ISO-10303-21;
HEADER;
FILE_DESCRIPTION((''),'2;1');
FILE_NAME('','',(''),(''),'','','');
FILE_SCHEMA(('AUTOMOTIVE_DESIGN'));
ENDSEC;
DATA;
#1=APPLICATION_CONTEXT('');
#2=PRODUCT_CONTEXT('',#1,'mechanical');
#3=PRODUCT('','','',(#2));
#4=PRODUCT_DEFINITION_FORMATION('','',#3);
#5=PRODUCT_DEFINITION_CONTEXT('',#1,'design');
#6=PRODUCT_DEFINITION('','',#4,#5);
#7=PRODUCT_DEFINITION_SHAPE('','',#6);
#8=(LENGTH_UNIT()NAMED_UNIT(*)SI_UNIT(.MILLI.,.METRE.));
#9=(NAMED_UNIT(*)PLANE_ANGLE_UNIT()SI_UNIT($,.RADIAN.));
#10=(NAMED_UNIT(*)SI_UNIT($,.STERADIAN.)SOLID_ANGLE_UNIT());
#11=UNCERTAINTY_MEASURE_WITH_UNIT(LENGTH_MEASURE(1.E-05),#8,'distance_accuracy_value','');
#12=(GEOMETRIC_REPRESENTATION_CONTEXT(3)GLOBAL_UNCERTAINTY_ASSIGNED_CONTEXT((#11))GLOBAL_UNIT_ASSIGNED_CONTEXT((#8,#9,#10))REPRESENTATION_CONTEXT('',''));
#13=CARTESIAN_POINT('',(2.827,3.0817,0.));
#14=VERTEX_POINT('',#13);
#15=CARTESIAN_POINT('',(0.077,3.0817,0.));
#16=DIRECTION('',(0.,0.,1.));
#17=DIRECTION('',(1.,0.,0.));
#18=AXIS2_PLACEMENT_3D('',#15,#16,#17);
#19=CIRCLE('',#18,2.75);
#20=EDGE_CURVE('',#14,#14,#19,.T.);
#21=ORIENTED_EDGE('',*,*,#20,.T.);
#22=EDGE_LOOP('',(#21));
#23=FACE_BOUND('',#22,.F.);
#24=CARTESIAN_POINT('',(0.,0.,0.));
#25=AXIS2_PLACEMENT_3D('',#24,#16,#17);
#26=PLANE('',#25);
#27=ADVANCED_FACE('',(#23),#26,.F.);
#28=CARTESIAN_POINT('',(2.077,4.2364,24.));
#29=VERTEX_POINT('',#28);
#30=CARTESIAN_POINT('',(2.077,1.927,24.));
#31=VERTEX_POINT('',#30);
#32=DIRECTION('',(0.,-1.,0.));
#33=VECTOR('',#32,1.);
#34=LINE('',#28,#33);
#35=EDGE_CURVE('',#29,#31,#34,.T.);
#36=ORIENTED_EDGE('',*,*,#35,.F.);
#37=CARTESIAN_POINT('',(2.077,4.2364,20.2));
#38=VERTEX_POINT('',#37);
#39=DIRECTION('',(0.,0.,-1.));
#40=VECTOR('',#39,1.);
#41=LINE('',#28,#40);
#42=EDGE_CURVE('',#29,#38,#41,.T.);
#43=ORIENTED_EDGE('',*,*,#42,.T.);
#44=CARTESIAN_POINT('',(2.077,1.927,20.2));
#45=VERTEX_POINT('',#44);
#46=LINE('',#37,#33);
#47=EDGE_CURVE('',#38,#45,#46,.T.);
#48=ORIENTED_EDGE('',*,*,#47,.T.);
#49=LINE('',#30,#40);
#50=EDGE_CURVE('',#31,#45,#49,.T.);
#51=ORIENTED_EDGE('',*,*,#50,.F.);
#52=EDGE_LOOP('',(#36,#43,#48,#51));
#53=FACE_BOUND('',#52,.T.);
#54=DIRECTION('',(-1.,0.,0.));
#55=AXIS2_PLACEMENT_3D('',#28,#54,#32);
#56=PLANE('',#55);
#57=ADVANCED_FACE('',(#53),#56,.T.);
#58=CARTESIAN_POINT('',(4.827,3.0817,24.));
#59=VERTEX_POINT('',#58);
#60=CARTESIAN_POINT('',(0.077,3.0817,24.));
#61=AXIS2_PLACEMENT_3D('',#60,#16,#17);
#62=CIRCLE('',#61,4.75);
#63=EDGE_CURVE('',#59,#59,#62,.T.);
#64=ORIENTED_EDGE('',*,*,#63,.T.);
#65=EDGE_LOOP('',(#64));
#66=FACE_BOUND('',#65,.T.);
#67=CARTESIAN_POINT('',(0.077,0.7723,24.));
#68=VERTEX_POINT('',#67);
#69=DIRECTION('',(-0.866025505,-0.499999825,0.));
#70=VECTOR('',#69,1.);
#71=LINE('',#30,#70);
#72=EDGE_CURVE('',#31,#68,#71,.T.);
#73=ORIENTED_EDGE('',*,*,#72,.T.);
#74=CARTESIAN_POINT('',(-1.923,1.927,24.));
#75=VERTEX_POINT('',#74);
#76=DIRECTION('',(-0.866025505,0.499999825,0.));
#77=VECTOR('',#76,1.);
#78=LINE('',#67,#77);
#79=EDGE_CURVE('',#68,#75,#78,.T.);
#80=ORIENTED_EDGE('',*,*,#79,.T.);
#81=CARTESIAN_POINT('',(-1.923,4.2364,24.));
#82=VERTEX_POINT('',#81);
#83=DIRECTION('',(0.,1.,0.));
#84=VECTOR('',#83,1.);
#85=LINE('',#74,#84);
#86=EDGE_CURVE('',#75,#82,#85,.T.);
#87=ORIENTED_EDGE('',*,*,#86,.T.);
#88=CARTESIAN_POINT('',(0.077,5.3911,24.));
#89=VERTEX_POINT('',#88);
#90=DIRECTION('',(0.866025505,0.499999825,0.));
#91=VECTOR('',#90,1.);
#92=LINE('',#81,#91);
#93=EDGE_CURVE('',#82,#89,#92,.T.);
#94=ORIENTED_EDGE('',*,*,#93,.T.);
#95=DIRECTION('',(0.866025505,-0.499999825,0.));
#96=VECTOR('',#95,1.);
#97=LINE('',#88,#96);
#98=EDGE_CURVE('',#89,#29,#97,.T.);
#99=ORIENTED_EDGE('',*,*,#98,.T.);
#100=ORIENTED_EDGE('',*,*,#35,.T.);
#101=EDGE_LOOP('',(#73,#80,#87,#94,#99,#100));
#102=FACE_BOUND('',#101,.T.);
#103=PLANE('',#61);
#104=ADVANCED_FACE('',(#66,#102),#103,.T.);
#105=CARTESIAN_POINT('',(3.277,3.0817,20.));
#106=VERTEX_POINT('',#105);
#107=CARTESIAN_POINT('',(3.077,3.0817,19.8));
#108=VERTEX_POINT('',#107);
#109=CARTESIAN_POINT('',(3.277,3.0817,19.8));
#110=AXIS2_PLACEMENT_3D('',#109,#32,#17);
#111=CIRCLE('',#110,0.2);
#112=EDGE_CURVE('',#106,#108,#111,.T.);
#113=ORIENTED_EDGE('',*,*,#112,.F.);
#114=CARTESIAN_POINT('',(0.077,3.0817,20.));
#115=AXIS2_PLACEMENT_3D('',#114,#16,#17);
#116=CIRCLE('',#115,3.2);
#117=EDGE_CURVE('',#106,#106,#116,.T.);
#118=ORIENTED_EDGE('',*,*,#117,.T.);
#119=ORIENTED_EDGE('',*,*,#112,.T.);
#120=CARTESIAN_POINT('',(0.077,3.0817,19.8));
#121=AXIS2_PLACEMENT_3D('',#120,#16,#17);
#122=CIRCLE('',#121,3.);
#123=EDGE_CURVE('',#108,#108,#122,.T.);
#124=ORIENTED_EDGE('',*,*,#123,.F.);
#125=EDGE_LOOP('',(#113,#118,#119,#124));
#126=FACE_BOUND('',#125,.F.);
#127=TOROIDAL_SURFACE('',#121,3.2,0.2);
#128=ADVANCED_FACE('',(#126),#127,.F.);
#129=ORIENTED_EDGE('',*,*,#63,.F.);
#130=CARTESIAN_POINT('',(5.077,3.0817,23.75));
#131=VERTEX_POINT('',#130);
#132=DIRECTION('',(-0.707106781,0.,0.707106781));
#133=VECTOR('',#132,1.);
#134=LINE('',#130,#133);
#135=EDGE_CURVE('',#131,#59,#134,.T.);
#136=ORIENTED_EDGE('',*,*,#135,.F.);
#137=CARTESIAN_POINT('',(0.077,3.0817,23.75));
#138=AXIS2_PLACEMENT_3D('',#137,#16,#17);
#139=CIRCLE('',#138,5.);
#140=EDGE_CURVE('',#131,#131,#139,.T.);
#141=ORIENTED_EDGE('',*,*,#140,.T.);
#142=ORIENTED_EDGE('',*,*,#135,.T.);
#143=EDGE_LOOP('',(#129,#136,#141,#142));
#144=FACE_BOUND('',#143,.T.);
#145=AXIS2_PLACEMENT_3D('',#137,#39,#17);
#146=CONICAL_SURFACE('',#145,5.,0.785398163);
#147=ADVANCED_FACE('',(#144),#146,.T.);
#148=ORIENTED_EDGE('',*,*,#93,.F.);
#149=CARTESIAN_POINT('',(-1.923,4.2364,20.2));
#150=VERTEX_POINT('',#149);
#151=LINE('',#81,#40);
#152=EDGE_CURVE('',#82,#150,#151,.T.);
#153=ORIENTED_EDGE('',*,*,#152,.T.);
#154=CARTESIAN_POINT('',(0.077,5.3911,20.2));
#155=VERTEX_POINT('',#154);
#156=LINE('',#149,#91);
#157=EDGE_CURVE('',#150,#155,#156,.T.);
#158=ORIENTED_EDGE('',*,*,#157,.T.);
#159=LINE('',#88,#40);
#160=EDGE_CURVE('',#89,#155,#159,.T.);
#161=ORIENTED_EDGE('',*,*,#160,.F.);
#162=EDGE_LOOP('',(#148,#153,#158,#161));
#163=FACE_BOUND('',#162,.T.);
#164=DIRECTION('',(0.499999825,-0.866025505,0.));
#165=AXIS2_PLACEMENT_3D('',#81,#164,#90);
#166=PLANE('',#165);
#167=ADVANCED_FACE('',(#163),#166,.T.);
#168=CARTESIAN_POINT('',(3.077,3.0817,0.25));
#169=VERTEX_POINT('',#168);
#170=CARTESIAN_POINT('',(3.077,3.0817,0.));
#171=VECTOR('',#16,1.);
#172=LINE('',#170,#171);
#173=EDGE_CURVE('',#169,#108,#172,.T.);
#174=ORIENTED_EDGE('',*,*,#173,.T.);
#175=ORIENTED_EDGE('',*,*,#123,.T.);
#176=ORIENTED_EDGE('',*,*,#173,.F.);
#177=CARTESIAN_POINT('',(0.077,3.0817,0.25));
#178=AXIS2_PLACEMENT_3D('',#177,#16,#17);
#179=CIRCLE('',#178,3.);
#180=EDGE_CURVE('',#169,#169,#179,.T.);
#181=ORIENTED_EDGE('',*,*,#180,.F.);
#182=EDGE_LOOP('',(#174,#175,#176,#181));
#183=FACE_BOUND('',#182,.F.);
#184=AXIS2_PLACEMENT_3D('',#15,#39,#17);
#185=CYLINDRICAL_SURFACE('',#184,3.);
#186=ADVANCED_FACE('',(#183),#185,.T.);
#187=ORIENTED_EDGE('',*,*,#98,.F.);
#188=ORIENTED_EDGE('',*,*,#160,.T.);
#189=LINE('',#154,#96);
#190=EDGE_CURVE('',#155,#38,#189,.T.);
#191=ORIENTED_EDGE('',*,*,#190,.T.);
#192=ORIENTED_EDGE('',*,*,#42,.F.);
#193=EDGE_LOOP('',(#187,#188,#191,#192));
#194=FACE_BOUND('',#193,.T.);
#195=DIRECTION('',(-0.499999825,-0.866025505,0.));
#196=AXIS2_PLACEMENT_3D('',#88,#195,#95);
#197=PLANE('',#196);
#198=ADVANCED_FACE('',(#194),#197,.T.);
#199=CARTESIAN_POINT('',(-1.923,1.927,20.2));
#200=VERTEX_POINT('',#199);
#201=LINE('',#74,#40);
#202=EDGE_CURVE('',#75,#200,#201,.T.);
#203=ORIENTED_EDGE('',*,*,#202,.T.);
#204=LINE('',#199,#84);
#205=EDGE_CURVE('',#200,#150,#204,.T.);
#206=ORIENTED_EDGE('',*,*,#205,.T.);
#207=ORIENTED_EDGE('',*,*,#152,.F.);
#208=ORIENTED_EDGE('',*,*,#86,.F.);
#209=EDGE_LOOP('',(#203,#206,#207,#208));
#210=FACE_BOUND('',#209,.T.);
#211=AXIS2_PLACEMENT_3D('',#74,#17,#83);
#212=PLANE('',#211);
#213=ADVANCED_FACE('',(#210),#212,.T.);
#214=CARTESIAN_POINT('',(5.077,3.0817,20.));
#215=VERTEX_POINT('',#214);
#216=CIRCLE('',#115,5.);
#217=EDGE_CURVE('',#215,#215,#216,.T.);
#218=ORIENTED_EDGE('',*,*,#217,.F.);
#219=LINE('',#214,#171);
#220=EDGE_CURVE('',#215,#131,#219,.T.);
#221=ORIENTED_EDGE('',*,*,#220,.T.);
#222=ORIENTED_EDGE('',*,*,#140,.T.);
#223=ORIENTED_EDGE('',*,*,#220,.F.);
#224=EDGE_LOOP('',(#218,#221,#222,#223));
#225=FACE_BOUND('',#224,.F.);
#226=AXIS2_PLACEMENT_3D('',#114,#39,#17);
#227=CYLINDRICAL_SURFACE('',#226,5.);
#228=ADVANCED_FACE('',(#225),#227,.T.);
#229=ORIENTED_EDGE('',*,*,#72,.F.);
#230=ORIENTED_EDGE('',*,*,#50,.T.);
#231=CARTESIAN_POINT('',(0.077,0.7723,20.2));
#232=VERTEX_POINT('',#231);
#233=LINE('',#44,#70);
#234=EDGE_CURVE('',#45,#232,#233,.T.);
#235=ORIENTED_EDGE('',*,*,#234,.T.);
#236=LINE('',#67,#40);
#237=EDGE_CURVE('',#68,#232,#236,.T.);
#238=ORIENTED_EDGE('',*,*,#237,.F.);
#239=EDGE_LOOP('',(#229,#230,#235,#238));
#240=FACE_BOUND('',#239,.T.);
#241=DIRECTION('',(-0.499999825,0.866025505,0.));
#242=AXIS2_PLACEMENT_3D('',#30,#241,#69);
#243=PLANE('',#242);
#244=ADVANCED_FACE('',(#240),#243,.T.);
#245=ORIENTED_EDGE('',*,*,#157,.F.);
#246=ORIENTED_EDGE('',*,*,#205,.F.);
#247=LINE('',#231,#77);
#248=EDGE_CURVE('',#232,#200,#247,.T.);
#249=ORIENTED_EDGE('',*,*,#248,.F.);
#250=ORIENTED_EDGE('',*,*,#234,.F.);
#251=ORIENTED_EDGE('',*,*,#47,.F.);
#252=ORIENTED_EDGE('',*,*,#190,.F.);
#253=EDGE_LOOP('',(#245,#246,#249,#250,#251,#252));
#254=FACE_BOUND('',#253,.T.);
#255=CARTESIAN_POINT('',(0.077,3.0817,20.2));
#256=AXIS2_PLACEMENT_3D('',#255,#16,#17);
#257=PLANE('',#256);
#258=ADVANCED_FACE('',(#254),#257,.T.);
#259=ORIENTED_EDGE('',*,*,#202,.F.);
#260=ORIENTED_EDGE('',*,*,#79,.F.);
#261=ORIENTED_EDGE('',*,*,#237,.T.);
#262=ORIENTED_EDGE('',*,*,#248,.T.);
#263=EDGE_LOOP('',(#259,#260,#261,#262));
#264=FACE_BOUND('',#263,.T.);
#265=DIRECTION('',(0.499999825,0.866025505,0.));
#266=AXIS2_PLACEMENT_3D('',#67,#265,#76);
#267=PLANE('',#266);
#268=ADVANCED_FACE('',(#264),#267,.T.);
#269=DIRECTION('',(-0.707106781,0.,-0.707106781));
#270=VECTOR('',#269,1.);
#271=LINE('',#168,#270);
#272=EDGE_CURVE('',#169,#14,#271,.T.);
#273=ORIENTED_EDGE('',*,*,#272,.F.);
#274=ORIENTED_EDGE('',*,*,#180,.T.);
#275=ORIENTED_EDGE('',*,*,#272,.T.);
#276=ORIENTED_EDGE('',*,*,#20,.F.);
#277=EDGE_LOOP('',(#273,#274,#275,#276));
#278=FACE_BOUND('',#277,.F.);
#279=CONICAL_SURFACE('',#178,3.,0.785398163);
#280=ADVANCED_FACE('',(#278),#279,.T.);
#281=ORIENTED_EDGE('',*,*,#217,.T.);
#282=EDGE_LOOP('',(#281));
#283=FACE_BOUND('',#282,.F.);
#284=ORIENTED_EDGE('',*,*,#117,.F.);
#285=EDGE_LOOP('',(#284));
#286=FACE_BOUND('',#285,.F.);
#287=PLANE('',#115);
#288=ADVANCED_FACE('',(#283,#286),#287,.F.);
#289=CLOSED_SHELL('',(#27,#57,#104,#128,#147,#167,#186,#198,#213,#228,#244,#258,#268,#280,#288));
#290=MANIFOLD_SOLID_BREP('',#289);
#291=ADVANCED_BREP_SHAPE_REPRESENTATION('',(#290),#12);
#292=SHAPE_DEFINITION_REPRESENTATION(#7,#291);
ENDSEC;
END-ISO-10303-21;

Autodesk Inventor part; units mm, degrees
ref_plane "YZ Plane" through (0, 0, 0) normal (1, 0, 0) x (0, 1, 0)
ref_plane "XZ Plane" through (0, 0, 0) normal (0, 1, 0) x (-1, 0, 0)
ref_plane "XY Plane" through (0, 0, 0) normal (0, 0, 1) x (1, 0, 0)
sketch "Sketch1" plane through (0, 0, 0) normal (0, 0, 1) x (1, 0, 0)
  circle A0 centre (0.077, 3.0817) radius 3
  dimension "Diameter" = 6
extrude "Extrusion1" add sketch "Sketch1" along normal blind 20
sketch "Sketch2" plane through (0.077, 3.0817, 20) normal (0, 0, 1) x (1, 0, 0)
  circle A0 centre (0, 0) radius 3 projected
  circle A1 centre (0, 0) radius 5
  dimension "Head_Diameter" = 10
extrude "Extrusion2" add sketch "Sketch2" along normal blind 4 contours A0 | A1
sketch "Sketch3" plane through (0.077, 3.0817, 24) normal (0, 0, 1) x (1, 0, 0)
  circle A0 centre (0, 0) radius 5 projected
  line L0 (0, -2.3094) -> (-2, -1.1547)
  line L1 (-2, -1.1547) -> (-2, 1.1547)
  line L2 (-2, 1.1547) -> (0, 2.3094)
  line L3 (0, 2.3094) -> (2, 1.1547)
  line L4 (2, 1.1547) -> (2, -1.1547)
  line L5 (2, -1.1547) -> (0, -2.3094)
  dimension "Hex_Key_Size" = 4
extrude "Extrusion3" cut sketch "Sketch3" against normal blind 3.8 contours L0 L1 L2 L3 L4 L5
thread "Thread1" size "M6x1" class "6g" standard "ANSI Metric M Profile" length 18
fillet "Fillet1" radius 0.2 1 edges at (-2.923, 3.0817, 20)
chamfer "Chamfer1" distance 0.25 angle 45 2 edges at (-4.923, 3.0817, 24) (-2.923, 3.0817, 0)
equation "\"d9\" = Thread_Length"
equation "\"d13\" = Chamfer"
equation "\"Thread_Length\" = 18"
equation "\"Chamfer\" = 0.25"
properties part number "SCREW,LOW SOCKET HD M6x1x20MM" material "Purchased Component, Altered"
